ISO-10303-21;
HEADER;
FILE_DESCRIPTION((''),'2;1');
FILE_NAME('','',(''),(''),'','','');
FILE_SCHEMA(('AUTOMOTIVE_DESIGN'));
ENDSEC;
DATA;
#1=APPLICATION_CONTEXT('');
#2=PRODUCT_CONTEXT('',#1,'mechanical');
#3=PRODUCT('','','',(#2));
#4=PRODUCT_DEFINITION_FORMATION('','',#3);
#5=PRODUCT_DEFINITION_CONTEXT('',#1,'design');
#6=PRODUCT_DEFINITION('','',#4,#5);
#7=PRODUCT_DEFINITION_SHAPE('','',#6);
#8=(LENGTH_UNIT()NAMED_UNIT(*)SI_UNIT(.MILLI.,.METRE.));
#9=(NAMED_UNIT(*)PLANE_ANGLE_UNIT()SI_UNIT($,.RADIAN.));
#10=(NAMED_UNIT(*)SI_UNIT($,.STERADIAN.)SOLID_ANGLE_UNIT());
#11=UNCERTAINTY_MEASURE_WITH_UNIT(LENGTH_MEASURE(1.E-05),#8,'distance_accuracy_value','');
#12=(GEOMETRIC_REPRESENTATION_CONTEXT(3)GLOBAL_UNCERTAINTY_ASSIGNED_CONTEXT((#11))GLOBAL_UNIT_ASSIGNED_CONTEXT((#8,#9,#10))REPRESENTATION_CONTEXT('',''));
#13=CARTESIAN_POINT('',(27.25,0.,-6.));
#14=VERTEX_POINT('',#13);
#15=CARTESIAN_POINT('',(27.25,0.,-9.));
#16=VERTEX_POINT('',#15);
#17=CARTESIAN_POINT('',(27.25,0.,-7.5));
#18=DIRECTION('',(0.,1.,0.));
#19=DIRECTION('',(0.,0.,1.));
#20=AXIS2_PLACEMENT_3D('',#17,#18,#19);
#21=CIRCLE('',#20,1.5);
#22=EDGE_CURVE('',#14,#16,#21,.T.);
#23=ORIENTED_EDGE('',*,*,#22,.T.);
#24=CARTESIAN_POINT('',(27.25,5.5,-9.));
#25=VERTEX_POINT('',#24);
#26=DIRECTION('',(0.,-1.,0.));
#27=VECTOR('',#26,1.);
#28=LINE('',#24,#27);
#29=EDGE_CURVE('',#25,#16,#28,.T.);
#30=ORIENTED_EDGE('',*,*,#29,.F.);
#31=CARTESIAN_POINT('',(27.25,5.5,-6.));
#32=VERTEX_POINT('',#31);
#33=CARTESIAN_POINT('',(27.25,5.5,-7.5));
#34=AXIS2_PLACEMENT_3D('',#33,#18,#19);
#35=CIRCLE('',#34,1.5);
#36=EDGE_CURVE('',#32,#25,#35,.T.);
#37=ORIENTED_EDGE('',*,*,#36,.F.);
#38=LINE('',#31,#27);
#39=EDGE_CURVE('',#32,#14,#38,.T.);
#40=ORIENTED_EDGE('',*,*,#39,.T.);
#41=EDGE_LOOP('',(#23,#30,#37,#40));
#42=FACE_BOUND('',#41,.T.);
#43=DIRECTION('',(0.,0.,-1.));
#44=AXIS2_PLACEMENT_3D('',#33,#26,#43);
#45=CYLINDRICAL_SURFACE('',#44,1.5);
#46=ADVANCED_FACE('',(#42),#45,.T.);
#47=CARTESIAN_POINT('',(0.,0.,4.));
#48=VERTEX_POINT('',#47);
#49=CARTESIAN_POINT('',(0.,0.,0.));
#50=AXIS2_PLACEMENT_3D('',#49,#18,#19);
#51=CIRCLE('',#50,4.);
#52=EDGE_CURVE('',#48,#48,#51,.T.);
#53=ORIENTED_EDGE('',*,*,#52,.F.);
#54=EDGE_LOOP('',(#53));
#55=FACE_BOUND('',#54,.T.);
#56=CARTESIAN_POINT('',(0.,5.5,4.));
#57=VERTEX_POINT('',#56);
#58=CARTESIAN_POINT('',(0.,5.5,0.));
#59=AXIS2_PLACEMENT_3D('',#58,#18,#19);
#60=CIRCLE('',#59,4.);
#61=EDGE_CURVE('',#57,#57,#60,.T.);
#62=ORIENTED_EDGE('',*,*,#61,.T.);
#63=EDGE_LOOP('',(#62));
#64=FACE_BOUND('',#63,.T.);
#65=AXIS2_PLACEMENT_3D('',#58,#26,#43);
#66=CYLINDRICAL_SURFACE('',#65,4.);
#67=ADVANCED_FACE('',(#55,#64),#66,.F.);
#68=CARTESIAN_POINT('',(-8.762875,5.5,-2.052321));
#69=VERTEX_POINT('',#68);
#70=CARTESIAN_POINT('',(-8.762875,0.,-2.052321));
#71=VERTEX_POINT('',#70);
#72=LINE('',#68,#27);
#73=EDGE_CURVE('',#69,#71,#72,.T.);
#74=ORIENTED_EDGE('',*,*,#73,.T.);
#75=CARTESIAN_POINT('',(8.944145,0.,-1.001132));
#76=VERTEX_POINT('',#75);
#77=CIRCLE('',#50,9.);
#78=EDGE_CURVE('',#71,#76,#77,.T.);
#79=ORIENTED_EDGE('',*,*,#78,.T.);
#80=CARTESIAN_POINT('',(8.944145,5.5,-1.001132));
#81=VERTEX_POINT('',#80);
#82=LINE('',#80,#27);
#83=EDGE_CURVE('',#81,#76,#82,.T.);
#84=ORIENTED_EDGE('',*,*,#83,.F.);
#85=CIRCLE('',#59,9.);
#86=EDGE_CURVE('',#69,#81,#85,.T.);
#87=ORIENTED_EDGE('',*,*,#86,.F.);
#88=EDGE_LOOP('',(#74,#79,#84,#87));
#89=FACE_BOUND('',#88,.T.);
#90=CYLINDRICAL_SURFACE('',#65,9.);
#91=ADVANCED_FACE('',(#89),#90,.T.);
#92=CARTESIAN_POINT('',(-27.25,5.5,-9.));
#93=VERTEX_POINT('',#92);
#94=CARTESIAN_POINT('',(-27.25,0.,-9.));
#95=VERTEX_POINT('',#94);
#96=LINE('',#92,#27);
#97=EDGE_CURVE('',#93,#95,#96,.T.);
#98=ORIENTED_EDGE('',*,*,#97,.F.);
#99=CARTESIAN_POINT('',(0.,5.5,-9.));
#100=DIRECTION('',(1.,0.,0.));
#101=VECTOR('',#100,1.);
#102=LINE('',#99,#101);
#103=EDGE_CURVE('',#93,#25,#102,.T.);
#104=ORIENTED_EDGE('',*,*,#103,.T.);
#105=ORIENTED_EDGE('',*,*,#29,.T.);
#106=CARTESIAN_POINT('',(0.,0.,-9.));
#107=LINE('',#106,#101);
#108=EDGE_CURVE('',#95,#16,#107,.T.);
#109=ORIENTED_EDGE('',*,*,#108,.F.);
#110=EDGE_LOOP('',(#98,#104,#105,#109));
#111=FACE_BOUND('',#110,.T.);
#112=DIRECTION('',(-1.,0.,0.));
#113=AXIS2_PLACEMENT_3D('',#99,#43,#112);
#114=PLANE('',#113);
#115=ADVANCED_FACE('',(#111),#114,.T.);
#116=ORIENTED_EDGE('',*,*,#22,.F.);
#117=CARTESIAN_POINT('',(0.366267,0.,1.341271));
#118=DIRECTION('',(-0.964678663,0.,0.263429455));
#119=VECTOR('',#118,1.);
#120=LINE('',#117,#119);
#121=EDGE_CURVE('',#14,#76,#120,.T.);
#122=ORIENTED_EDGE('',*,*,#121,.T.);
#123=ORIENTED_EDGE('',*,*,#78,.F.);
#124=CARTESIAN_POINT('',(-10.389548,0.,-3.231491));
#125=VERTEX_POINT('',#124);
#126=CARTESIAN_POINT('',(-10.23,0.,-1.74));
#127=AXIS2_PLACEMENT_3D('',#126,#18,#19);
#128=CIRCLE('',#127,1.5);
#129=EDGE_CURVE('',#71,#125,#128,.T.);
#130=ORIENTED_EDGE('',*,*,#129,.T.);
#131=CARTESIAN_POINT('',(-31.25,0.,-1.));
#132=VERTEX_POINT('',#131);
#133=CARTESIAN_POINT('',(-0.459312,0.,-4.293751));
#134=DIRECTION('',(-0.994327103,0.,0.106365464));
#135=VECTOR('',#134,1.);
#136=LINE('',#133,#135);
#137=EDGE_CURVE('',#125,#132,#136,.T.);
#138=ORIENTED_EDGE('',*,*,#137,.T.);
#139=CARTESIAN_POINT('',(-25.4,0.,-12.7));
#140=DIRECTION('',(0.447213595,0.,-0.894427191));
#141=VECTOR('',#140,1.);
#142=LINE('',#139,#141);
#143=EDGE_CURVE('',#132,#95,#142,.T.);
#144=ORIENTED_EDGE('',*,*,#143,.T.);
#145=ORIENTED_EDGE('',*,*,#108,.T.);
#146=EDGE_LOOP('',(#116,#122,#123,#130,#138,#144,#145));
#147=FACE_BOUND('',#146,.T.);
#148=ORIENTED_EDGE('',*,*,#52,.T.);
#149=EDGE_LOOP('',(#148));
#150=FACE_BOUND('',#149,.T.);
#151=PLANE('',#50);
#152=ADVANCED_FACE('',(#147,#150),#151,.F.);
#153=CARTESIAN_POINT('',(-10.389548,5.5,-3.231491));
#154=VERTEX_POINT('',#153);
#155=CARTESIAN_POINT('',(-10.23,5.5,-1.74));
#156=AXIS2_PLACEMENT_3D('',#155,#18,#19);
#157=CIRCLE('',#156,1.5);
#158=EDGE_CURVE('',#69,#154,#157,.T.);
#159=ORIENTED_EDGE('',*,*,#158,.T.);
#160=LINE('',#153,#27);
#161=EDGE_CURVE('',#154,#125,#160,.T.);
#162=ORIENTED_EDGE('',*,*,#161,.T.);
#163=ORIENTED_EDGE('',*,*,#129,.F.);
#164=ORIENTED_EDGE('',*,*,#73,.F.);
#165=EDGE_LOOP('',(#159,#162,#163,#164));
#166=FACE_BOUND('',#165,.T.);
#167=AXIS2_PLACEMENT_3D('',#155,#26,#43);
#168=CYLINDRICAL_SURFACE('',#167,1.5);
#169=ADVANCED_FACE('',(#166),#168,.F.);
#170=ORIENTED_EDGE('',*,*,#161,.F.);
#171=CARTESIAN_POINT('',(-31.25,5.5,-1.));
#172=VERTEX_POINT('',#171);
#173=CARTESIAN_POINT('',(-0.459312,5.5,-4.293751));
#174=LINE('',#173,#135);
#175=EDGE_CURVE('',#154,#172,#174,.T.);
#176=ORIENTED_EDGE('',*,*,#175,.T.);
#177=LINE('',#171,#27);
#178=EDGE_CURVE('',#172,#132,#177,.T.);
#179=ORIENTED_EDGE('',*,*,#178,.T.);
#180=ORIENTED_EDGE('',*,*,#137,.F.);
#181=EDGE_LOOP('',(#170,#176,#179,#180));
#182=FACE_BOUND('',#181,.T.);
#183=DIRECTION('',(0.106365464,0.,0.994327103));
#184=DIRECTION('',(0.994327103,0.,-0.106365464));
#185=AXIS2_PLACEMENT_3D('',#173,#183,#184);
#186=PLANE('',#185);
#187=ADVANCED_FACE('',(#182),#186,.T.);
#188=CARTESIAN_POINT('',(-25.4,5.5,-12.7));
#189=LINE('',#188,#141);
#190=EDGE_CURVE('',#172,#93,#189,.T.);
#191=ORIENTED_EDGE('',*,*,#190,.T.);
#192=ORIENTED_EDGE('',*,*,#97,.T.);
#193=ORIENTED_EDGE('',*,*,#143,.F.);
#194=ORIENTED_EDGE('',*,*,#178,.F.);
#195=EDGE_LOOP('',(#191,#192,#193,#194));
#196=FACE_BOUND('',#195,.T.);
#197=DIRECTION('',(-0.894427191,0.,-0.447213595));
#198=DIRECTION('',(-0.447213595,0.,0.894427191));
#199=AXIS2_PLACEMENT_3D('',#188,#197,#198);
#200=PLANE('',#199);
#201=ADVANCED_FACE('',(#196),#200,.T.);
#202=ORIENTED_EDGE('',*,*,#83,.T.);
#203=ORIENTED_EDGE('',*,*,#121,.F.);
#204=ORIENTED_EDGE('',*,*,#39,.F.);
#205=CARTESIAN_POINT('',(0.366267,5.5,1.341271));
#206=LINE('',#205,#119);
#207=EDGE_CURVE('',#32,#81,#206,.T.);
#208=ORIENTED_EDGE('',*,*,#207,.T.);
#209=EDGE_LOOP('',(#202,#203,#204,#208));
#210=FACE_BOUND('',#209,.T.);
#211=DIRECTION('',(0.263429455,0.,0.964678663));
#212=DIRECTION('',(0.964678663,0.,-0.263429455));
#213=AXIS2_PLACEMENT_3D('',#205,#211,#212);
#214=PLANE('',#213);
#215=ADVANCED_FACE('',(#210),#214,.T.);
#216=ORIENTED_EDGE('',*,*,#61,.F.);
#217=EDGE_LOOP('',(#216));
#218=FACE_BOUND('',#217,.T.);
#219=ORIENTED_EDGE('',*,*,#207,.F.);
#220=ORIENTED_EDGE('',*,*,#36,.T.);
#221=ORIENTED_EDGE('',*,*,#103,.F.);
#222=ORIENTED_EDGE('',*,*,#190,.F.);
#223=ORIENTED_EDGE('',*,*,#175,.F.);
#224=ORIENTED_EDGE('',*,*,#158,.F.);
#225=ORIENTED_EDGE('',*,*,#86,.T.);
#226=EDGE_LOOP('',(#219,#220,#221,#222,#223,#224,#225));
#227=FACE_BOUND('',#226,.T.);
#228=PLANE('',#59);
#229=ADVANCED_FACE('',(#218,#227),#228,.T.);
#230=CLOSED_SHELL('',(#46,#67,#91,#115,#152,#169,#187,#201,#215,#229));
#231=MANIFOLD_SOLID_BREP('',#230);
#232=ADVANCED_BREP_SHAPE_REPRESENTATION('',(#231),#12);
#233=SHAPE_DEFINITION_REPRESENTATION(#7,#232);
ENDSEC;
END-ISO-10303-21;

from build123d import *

# Parameters (mm, degrees)
SCHIZZO1_R                   = 4
ESTRUSIONE_ESTRUSIONE1_DEPTH = 5.5


with BuildPart() as part:
    # Schizzo1 → Estrusione-Estrusione1 (new body)
    with BuildSketch(Plane(origin=(0, 0, 0), x_dir=(1, 0, 0), z_dir=(0, 1, 0))):
        with BuildLine():
            Line((-31.25, 1), (-10.389548196, 3.231490655))
            ThreePointArc((-10.389548196, 3.231490655), (-9.349630999, 2.954475369), (-8.762875038, 2.0523209))
            ThreePointArc((-8.762875038, 2.0523209), (-0.533351916, -8.98418253), (8.944145279, 1.001131971))
            Line((8.944145279, 1.001131971), (27.25, 6))
            ThreePointArc((27.25, 6), (28.75, 7.5), (27.25, 9))
            Line((27.25, 9), (-27.25, 9))
            Line((-27.25, 9), (-31.25, 1))
        make_face()
        with Locations(Location((0, 0, 0), (0, 0, 270))):
            Circle(SCHIZZO1_R, mode=Mode.SUBTRACT)
    extrude(amount=ESTRUSIONE_ESTRUSIONE1_DEPTH)


solid = part.part
